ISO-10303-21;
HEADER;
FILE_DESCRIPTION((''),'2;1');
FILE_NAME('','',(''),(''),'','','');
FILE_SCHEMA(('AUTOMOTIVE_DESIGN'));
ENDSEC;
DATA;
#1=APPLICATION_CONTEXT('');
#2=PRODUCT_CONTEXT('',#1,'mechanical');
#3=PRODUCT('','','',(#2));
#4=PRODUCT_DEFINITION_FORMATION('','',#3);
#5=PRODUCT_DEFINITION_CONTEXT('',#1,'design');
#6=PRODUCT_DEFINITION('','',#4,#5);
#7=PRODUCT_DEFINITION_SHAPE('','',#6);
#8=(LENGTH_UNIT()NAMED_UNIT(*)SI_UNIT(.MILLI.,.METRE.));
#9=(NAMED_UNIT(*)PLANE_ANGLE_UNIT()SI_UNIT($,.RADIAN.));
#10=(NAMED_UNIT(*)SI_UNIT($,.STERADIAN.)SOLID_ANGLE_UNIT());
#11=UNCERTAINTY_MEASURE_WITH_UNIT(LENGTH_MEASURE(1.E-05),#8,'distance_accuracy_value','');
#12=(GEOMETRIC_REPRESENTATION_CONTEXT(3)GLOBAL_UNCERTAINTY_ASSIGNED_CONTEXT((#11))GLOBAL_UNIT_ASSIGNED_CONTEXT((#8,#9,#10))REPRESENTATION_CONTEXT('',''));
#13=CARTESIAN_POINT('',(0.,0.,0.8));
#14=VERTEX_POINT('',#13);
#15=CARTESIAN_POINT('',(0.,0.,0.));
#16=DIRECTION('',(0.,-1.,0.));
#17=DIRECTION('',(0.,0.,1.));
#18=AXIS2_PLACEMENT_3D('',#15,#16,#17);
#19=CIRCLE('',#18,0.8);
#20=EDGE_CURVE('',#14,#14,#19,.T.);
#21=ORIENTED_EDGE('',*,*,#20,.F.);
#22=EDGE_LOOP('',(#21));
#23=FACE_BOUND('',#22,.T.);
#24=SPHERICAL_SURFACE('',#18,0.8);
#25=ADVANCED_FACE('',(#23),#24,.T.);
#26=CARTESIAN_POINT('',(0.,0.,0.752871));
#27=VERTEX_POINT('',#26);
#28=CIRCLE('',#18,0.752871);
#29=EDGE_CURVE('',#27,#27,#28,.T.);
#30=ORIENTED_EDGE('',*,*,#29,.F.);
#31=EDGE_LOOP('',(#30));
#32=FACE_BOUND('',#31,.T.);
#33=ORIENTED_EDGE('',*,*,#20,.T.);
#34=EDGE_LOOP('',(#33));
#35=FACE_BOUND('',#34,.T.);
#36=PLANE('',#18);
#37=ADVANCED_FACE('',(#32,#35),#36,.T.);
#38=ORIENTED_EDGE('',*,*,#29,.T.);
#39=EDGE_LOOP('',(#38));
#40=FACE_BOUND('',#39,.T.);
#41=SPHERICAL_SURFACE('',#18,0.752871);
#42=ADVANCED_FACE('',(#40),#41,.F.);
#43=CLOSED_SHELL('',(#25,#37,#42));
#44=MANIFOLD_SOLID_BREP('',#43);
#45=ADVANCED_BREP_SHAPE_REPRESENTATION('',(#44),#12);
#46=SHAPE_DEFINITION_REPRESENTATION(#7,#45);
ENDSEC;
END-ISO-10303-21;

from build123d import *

# Parameters (mm, degrees)
REVOLVE1_ANGLE = 180


with BuildPart() as part:
    # Sketch1 → Revolve1 (revolve)
    with BuildSketch(Plane(origin=(0, 0, 0), x_dir=(1, 0, 0), z_dir=(0, 1, 0))):
        with BuildLine():
            Line((0, 0.8), (0, 0.752871159))
            ThreePointArc((0, 0.752871159), (0.752871159, 0), (0, -0.752871159))
            Line((0, -0.752871159), (0, -0.8))
            ThreePointArc((0, -0.8), (0.8, 0), (0, 0.8))
        make_face()
    revolve(axis=Axis((0, 0, 0.752871159), (0, 0, 1)), revolution_arc=REVOLVE1_ANGLE)


solid = part.part
